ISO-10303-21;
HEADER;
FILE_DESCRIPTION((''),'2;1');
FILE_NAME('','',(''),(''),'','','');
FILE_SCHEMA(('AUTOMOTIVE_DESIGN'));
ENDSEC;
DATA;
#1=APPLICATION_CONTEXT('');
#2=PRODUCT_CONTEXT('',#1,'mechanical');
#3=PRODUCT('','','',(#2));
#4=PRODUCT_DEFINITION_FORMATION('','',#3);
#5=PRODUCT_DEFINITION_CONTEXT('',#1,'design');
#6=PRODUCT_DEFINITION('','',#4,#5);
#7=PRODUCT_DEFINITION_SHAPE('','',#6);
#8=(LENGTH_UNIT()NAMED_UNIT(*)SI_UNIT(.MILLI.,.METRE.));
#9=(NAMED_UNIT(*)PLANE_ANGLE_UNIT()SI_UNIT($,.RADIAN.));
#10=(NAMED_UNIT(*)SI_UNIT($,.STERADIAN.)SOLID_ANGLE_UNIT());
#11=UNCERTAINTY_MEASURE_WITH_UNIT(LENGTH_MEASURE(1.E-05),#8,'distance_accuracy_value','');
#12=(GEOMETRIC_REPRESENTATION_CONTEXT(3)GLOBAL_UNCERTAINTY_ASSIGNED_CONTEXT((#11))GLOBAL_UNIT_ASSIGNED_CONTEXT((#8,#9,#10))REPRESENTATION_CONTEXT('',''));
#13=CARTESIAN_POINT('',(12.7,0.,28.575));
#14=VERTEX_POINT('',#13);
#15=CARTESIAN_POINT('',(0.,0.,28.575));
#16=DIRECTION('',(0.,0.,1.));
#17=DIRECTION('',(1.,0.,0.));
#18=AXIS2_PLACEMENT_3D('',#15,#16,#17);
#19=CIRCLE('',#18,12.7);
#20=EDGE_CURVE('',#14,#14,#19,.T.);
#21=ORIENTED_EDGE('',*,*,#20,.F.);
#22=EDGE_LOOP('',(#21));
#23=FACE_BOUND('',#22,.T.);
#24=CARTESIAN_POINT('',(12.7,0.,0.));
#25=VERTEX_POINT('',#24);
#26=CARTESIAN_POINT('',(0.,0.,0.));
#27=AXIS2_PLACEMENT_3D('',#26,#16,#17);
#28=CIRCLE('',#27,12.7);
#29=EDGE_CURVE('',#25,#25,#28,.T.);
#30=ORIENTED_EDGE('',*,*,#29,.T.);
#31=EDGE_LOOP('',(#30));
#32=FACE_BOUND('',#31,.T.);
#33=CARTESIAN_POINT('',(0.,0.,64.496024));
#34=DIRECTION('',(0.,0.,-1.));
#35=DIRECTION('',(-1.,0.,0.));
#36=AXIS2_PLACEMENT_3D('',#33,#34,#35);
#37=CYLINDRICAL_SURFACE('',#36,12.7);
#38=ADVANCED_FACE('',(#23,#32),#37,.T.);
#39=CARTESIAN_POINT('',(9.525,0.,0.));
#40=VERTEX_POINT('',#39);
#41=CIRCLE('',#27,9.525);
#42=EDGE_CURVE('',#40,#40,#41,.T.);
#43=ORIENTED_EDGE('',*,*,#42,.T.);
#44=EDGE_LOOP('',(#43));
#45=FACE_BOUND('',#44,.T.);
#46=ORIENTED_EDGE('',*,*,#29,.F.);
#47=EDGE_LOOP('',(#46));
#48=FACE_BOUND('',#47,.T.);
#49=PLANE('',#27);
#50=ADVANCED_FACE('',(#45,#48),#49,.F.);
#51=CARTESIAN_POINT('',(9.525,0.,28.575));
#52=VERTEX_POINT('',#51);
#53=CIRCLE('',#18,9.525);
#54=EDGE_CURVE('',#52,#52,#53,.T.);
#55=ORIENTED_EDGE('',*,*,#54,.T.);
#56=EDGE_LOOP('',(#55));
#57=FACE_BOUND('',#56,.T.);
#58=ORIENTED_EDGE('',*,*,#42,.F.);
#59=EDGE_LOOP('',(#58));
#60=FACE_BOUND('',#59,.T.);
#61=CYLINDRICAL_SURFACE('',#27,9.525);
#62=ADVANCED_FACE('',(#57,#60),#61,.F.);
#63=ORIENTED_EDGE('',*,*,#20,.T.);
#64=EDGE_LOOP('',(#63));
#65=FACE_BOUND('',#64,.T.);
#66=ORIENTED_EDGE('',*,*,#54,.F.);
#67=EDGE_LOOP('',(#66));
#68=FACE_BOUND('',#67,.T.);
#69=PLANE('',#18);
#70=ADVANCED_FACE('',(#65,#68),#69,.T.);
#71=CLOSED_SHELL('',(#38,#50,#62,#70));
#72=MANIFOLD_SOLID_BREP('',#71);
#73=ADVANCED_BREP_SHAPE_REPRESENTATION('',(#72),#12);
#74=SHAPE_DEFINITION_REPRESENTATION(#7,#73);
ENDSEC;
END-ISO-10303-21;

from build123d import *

# Parameters (mm, degrees)
SKETCH1_R          = 12.7
BASE_EXTRUDE_DEPTH = 28.575
SKETCH2_R          = 9.525
CUT_EXTRUDE1_DEPTH = 34.750712955


with BuildPart() as part:
    # Sketch1 → Base-Extrude (new body)
    with BuildSketch(Plane.XY):
        Circle(SKETCH1_R)
    extrude(amount=BASE_EXTRUDE_DEPTH)

    # Sketch2 → Cut-Extrude1 (cut, through all)
    with BuildSketch(Plane.XY.offset(28.575)):
        Circle(SKETCH2_R)
    extrude(amount=-CUT_EXTRUDE1_DEPTH, mode=Mode.SUBTRACT)


solid = part.part
